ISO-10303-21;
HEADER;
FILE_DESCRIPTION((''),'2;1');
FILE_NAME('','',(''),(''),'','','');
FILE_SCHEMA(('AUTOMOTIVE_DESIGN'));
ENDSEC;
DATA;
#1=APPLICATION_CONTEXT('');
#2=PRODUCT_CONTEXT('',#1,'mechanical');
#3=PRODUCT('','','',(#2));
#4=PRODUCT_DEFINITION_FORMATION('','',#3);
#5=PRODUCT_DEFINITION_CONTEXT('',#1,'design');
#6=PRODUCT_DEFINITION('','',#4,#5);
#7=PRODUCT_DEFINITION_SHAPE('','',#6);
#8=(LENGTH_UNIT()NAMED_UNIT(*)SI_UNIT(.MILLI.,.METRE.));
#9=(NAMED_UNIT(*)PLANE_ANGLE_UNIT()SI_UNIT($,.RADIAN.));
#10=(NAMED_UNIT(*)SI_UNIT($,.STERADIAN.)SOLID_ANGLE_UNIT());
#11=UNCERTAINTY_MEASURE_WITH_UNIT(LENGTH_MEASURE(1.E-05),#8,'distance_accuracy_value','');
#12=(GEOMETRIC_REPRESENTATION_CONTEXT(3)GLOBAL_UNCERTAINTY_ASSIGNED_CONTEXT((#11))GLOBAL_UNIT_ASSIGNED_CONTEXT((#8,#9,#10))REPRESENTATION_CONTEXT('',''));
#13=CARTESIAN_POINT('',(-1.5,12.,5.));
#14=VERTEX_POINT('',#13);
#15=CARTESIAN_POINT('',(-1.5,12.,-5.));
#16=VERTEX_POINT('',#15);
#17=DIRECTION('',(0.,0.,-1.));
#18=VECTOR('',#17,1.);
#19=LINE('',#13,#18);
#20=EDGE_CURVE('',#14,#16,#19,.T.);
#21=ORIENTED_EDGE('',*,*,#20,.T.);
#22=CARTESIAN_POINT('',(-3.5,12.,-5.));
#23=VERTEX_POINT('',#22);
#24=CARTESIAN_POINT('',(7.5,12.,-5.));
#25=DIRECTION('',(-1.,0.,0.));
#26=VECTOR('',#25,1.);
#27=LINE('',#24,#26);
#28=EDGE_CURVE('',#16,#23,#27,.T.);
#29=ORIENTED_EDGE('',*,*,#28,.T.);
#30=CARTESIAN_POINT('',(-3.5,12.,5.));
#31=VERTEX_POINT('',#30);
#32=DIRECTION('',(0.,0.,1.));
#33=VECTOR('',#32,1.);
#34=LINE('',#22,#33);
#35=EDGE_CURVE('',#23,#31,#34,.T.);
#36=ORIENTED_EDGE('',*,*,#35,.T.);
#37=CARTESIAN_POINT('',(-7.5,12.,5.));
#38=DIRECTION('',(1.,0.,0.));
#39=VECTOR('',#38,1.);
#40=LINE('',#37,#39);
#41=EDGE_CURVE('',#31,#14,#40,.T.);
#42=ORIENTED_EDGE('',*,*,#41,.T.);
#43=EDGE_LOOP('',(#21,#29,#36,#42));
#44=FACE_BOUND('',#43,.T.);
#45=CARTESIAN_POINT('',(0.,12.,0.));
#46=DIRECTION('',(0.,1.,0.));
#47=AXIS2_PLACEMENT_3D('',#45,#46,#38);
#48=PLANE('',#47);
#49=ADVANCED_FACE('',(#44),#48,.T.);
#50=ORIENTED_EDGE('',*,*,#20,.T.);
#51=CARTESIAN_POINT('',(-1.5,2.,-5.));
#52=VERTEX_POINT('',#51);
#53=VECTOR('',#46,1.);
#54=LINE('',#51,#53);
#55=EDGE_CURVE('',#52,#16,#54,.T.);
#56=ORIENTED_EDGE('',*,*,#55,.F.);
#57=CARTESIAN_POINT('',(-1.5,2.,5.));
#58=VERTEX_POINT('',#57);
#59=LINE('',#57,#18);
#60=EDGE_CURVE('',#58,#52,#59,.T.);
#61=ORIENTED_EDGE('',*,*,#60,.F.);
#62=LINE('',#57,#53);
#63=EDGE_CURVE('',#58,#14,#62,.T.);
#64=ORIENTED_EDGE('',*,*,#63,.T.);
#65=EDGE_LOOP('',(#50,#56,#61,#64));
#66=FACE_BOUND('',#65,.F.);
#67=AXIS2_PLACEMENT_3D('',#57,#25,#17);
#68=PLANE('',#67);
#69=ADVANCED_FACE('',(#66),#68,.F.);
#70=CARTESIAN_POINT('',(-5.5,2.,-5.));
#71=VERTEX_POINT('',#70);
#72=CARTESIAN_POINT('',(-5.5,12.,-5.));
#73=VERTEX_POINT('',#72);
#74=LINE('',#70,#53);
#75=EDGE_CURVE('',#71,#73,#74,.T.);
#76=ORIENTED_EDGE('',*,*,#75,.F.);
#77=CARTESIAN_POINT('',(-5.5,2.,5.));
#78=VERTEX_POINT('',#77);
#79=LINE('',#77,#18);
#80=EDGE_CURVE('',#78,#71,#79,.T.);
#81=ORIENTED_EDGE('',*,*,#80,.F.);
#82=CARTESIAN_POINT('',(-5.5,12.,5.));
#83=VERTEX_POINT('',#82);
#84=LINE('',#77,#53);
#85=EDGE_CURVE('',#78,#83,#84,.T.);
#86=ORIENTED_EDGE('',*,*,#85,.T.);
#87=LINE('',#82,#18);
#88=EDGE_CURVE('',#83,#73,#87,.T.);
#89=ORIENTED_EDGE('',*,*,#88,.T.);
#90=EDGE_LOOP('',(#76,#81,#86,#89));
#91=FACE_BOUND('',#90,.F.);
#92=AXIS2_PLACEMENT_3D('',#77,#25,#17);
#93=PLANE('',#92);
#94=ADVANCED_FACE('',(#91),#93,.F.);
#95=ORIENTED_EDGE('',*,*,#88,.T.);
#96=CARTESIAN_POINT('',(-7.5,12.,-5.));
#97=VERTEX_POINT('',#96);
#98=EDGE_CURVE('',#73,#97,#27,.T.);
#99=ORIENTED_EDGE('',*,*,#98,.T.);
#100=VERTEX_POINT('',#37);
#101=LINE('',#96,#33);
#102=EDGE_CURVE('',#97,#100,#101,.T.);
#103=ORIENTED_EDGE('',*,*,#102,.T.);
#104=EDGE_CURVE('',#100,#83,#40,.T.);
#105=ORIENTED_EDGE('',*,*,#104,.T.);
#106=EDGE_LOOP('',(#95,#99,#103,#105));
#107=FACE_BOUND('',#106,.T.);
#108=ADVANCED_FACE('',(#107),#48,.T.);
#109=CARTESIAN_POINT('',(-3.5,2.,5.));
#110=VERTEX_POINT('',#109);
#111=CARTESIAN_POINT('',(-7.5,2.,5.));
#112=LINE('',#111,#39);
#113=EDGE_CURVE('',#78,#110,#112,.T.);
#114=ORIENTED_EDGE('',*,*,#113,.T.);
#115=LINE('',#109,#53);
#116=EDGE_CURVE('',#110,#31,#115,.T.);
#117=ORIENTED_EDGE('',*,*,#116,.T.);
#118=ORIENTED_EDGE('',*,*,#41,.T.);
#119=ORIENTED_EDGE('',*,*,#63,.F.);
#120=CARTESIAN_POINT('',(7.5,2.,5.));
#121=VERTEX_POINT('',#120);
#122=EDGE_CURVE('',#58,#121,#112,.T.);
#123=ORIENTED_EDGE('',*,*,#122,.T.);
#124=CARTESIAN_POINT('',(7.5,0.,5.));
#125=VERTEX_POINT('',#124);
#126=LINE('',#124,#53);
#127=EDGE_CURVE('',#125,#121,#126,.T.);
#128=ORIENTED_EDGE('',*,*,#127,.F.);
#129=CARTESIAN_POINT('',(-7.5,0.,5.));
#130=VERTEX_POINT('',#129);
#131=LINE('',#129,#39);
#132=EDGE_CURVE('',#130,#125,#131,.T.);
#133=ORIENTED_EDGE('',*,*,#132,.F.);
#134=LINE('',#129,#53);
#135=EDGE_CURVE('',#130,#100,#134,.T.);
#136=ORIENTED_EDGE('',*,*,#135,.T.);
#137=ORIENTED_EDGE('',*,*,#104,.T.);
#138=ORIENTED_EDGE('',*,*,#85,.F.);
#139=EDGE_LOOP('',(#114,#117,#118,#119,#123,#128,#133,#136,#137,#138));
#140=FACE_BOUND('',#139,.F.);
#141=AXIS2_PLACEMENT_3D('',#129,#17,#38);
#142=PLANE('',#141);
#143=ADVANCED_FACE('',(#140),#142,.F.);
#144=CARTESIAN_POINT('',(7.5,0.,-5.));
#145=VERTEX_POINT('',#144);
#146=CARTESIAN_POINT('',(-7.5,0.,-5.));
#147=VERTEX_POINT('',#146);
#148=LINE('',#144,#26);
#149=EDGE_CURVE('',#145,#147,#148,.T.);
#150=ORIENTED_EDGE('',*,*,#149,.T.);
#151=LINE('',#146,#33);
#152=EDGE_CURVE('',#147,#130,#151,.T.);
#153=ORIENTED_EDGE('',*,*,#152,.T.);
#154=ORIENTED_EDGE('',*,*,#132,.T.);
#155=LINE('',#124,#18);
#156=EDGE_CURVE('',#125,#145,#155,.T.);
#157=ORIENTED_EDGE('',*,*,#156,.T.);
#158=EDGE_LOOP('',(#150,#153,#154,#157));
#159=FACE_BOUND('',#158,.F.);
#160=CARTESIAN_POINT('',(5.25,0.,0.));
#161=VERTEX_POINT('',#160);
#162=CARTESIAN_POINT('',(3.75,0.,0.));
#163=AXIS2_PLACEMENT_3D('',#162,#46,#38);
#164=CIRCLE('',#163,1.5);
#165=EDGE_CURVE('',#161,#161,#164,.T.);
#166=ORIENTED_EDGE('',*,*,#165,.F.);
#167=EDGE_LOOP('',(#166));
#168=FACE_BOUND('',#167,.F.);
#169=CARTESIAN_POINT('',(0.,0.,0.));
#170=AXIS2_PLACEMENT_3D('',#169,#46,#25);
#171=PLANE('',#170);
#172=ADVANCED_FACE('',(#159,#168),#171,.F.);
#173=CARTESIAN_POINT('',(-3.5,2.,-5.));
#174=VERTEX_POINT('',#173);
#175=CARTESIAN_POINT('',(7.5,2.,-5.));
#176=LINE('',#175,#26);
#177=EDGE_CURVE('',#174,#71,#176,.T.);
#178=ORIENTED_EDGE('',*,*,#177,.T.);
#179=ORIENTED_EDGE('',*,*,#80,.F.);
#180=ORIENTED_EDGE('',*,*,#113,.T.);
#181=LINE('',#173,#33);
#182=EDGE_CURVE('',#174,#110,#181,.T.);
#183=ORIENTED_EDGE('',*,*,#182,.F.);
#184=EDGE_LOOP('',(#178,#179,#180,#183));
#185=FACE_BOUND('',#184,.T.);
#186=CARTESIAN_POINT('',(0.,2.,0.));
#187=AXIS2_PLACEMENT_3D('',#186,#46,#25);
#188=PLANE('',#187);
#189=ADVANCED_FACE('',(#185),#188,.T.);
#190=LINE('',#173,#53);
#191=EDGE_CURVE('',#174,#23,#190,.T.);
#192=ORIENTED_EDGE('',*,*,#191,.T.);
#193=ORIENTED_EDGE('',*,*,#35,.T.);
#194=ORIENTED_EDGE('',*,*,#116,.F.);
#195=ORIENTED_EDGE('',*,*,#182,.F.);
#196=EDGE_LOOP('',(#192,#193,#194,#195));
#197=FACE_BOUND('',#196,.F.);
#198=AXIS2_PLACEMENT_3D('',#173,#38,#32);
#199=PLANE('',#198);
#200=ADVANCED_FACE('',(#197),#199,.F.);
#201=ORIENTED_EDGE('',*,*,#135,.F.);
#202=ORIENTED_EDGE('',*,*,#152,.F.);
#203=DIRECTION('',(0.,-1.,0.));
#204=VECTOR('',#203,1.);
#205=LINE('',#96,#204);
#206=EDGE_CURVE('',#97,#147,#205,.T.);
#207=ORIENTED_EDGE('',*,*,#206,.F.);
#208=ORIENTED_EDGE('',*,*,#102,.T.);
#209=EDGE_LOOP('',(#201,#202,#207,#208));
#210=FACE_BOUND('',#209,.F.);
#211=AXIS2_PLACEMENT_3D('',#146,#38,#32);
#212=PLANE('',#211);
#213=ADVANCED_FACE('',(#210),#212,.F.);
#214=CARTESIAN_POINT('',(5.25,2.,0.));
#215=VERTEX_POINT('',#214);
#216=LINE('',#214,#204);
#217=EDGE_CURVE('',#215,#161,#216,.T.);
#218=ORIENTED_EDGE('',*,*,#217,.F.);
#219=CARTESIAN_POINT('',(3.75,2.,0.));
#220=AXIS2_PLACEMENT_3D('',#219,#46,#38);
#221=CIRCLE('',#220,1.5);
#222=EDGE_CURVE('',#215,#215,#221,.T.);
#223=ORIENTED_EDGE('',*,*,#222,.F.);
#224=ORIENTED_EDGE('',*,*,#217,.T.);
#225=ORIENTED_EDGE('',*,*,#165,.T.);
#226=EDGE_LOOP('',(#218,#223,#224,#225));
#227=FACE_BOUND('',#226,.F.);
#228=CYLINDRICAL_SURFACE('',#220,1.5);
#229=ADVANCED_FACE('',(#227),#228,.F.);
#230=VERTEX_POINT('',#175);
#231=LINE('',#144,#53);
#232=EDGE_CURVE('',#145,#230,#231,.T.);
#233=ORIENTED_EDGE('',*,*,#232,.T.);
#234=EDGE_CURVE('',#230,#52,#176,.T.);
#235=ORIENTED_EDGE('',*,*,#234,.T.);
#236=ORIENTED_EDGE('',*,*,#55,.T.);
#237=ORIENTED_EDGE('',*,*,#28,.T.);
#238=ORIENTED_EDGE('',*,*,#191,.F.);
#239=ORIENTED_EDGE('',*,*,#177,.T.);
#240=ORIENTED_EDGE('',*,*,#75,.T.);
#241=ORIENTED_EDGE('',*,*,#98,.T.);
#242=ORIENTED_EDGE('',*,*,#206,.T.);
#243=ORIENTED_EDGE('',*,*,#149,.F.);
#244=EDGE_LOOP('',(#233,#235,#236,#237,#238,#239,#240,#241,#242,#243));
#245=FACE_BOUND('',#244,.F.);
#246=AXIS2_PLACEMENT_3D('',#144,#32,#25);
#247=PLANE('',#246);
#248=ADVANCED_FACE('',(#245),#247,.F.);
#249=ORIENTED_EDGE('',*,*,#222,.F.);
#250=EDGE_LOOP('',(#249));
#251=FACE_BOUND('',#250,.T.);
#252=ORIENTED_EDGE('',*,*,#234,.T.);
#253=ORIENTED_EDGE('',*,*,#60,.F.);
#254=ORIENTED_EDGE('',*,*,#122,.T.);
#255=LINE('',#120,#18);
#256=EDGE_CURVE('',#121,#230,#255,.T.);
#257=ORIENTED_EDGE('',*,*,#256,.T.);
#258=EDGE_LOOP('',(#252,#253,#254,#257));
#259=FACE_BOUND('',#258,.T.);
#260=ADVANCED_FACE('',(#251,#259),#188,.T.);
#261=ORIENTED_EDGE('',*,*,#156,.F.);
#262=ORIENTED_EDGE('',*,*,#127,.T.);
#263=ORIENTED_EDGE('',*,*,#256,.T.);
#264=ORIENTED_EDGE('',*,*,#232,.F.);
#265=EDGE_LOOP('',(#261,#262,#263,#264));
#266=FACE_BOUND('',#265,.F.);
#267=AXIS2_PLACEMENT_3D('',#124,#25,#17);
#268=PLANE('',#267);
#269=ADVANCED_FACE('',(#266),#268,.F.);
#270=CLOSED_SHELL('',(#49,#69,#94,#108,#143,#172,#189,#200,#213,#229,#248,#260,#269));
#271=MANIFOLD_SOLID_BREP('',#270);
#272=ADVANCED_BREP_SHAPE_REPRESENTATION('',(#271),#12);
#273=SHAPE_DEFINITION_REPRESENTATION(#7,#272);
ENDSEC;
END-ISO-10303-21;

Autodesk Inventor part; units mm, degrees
ref_plane "YZ Plane" through (0, 0, 0) normal (1, 0, 0) x (0, 1, 0)
ref_plane "XZ Plane" through (0, 0, 0) normal (0, 1, 0) x (-1, 0, 0)
ref_plane "XY Plane" through (0, 0, 0) normal (0, 0, 1) x (1, 0, 0)
sketch "Esquisse1" plane through (0, 0, 0) normal (0, 1, 0) x (-1, 0, 0)
  line L0 (7.5, 5) -> (-7.5, 5)
  line L1 (-7.5, 5) -> (-7.5, -5)
  line L2 (-7.5, -5) -> (7.5, -5)
  line L3 (7.5, -5) -> (7.5, 5)
  line L4 (7.5, 5) -> (-7.5, -5) construction
  line L5 (7.5, -5) -> (-7.5, 5) construction
  point P0 (0, 0)
  point P1 (0, 0)
  dimension "d0" = 10
  dimension "d1" = 15
extrude "Extrusion1" add sketch "Esquisse1" along normal blind 2
sketch "Esquisse2" plane through (0, 2, 0) normal (0, 1, 0) x (1, 0, 0)
  line L0 (-7.5, 5) -> (-7.5, -5) projected
  line L1 (7.5, 5) -> (-7.5, 5) projected
  line L2 (-7.5, -5) -> (-5.5, -5)
  line L3 (-5.5, -5) -> (-5.5, 5)
  line L4 (-5.5, 5) -> (-7.5, 5)
  line L5 (-7.5, 5) -> (-7.5, -5)
  line L6 (-7.5, -5) -> (7.5, -5) projected
  line L7 (-3.5, -5) -> (-1.5, -5)
  line L8 (-1.5, -5) -> (-1.5, 5)
  line L9 (-1.5, 5) -> (-3.5, 5)
  line L10 (-3.5, 5) -> (-3.5, -5)
  point P0 (0, 0)
  point P1 (-3.5, 5)
  dimension "d4" = 2
  dimension "d5" = 2
  dimension "d6" = 2
extrude "Extrusion2" add sketch "Esquisse2" along normal blind 10 contours L1 L3 L2 L0 | L1 L8 L6 L10
sketch "Esquisse3" plane through (0, 2, 0) normal (0, 1, 0) x (1, 0, 0)
  circle A0 centre (3.75, 0) radius 1.5
  line L0 (-1.5, -5) -> (7.5, -5) projected
  line L1 (7.5, 5) -> (-1.5, 5) projected
  line L2 (0, -5) -> (7.5, 5) construction
  line L3 (7.5, -5) -> (7.5, 5) projected
  line L4 (0, 5) -> (7.5, -5) construction
  point P0 (0, 0)
  point P1 (3.75, 0)
  dimension "d9" = 3
extrude "Extrusion3" cut sketch "Esquisse3" against normal blind 10
properties part number "TOF_holder_Impression 3D"
